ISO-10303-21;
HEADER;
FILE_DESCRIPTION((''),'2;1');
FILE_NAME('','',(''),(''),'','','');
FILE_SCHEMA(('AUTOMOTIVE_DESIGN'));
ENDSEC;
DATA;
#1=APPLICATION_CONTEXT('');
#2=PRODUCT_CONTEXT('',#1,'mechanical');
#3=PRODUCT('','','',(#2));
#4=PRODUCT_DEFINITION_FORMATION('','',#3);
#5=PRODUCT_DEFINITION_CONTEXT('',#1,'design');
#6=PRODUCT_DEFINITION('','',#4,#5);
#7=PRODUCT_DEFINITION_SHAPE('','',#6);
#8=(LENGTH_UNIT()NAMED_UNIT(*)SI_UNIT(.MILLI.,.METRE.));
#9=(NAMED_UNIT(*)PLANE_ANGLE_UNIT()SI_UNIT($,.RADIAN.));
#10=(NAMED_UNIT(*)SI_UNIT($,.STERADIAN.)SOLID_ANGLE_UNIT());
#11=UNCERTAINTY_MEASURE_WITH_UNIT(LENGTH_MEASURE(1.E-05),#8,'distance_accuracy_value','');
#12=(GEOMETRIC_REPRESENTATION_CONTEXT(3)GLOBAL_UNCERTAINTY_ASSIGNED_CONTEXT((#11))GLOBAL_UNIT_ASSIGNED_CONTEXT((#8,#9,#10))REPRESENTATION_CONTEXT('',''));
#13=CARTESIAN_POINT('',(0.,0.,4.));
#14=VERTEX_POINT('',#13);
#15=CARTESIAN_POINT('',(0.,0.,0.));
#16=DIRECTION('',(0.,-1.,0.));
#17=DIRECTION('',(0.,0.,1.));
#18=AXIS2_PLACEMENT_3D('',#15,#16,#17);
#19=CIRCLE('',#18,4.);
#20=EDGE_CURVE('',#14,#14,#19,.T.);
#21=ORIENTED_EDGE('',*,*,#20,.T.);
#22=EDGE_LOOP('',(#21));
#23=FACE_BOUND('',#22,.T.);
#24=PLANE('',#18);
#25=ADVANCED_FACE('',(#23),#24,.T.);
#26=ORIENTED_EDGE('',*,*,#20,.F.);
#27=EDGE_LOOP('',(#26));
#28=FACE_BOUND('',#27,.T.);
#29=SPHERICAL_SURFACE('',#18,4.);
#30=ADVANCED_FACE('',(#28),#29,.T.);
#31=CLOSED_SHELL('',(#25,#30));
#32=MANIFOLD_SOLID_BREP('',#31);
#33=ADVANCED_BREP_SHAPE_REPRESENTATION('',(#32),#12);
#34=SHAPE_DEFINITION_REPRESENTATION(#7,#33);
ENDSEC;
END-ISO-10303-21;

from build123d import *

# Parameters (mm, degrees)
REVOLVE1_ANGLE = 180


with BuildPart() as part:
    # Sketch1 → Revolve1 (revolve)
    with BuildSketch(Plane(origin=(0, 0, 0), x_dir=(1, 0, 0), z_dir=(0, 1, 0))):
        with BuildLine():
            Line((0, -4), (0, 4))
            ThreePointArc((0, 4), (-4, 0), (0, -4))
        make_face()
    revolve(axis=Axis((0, 0, 4), (0, 0, -1)), revolution_arc=REVOLVE1_ANGLE)


solid = part.part
